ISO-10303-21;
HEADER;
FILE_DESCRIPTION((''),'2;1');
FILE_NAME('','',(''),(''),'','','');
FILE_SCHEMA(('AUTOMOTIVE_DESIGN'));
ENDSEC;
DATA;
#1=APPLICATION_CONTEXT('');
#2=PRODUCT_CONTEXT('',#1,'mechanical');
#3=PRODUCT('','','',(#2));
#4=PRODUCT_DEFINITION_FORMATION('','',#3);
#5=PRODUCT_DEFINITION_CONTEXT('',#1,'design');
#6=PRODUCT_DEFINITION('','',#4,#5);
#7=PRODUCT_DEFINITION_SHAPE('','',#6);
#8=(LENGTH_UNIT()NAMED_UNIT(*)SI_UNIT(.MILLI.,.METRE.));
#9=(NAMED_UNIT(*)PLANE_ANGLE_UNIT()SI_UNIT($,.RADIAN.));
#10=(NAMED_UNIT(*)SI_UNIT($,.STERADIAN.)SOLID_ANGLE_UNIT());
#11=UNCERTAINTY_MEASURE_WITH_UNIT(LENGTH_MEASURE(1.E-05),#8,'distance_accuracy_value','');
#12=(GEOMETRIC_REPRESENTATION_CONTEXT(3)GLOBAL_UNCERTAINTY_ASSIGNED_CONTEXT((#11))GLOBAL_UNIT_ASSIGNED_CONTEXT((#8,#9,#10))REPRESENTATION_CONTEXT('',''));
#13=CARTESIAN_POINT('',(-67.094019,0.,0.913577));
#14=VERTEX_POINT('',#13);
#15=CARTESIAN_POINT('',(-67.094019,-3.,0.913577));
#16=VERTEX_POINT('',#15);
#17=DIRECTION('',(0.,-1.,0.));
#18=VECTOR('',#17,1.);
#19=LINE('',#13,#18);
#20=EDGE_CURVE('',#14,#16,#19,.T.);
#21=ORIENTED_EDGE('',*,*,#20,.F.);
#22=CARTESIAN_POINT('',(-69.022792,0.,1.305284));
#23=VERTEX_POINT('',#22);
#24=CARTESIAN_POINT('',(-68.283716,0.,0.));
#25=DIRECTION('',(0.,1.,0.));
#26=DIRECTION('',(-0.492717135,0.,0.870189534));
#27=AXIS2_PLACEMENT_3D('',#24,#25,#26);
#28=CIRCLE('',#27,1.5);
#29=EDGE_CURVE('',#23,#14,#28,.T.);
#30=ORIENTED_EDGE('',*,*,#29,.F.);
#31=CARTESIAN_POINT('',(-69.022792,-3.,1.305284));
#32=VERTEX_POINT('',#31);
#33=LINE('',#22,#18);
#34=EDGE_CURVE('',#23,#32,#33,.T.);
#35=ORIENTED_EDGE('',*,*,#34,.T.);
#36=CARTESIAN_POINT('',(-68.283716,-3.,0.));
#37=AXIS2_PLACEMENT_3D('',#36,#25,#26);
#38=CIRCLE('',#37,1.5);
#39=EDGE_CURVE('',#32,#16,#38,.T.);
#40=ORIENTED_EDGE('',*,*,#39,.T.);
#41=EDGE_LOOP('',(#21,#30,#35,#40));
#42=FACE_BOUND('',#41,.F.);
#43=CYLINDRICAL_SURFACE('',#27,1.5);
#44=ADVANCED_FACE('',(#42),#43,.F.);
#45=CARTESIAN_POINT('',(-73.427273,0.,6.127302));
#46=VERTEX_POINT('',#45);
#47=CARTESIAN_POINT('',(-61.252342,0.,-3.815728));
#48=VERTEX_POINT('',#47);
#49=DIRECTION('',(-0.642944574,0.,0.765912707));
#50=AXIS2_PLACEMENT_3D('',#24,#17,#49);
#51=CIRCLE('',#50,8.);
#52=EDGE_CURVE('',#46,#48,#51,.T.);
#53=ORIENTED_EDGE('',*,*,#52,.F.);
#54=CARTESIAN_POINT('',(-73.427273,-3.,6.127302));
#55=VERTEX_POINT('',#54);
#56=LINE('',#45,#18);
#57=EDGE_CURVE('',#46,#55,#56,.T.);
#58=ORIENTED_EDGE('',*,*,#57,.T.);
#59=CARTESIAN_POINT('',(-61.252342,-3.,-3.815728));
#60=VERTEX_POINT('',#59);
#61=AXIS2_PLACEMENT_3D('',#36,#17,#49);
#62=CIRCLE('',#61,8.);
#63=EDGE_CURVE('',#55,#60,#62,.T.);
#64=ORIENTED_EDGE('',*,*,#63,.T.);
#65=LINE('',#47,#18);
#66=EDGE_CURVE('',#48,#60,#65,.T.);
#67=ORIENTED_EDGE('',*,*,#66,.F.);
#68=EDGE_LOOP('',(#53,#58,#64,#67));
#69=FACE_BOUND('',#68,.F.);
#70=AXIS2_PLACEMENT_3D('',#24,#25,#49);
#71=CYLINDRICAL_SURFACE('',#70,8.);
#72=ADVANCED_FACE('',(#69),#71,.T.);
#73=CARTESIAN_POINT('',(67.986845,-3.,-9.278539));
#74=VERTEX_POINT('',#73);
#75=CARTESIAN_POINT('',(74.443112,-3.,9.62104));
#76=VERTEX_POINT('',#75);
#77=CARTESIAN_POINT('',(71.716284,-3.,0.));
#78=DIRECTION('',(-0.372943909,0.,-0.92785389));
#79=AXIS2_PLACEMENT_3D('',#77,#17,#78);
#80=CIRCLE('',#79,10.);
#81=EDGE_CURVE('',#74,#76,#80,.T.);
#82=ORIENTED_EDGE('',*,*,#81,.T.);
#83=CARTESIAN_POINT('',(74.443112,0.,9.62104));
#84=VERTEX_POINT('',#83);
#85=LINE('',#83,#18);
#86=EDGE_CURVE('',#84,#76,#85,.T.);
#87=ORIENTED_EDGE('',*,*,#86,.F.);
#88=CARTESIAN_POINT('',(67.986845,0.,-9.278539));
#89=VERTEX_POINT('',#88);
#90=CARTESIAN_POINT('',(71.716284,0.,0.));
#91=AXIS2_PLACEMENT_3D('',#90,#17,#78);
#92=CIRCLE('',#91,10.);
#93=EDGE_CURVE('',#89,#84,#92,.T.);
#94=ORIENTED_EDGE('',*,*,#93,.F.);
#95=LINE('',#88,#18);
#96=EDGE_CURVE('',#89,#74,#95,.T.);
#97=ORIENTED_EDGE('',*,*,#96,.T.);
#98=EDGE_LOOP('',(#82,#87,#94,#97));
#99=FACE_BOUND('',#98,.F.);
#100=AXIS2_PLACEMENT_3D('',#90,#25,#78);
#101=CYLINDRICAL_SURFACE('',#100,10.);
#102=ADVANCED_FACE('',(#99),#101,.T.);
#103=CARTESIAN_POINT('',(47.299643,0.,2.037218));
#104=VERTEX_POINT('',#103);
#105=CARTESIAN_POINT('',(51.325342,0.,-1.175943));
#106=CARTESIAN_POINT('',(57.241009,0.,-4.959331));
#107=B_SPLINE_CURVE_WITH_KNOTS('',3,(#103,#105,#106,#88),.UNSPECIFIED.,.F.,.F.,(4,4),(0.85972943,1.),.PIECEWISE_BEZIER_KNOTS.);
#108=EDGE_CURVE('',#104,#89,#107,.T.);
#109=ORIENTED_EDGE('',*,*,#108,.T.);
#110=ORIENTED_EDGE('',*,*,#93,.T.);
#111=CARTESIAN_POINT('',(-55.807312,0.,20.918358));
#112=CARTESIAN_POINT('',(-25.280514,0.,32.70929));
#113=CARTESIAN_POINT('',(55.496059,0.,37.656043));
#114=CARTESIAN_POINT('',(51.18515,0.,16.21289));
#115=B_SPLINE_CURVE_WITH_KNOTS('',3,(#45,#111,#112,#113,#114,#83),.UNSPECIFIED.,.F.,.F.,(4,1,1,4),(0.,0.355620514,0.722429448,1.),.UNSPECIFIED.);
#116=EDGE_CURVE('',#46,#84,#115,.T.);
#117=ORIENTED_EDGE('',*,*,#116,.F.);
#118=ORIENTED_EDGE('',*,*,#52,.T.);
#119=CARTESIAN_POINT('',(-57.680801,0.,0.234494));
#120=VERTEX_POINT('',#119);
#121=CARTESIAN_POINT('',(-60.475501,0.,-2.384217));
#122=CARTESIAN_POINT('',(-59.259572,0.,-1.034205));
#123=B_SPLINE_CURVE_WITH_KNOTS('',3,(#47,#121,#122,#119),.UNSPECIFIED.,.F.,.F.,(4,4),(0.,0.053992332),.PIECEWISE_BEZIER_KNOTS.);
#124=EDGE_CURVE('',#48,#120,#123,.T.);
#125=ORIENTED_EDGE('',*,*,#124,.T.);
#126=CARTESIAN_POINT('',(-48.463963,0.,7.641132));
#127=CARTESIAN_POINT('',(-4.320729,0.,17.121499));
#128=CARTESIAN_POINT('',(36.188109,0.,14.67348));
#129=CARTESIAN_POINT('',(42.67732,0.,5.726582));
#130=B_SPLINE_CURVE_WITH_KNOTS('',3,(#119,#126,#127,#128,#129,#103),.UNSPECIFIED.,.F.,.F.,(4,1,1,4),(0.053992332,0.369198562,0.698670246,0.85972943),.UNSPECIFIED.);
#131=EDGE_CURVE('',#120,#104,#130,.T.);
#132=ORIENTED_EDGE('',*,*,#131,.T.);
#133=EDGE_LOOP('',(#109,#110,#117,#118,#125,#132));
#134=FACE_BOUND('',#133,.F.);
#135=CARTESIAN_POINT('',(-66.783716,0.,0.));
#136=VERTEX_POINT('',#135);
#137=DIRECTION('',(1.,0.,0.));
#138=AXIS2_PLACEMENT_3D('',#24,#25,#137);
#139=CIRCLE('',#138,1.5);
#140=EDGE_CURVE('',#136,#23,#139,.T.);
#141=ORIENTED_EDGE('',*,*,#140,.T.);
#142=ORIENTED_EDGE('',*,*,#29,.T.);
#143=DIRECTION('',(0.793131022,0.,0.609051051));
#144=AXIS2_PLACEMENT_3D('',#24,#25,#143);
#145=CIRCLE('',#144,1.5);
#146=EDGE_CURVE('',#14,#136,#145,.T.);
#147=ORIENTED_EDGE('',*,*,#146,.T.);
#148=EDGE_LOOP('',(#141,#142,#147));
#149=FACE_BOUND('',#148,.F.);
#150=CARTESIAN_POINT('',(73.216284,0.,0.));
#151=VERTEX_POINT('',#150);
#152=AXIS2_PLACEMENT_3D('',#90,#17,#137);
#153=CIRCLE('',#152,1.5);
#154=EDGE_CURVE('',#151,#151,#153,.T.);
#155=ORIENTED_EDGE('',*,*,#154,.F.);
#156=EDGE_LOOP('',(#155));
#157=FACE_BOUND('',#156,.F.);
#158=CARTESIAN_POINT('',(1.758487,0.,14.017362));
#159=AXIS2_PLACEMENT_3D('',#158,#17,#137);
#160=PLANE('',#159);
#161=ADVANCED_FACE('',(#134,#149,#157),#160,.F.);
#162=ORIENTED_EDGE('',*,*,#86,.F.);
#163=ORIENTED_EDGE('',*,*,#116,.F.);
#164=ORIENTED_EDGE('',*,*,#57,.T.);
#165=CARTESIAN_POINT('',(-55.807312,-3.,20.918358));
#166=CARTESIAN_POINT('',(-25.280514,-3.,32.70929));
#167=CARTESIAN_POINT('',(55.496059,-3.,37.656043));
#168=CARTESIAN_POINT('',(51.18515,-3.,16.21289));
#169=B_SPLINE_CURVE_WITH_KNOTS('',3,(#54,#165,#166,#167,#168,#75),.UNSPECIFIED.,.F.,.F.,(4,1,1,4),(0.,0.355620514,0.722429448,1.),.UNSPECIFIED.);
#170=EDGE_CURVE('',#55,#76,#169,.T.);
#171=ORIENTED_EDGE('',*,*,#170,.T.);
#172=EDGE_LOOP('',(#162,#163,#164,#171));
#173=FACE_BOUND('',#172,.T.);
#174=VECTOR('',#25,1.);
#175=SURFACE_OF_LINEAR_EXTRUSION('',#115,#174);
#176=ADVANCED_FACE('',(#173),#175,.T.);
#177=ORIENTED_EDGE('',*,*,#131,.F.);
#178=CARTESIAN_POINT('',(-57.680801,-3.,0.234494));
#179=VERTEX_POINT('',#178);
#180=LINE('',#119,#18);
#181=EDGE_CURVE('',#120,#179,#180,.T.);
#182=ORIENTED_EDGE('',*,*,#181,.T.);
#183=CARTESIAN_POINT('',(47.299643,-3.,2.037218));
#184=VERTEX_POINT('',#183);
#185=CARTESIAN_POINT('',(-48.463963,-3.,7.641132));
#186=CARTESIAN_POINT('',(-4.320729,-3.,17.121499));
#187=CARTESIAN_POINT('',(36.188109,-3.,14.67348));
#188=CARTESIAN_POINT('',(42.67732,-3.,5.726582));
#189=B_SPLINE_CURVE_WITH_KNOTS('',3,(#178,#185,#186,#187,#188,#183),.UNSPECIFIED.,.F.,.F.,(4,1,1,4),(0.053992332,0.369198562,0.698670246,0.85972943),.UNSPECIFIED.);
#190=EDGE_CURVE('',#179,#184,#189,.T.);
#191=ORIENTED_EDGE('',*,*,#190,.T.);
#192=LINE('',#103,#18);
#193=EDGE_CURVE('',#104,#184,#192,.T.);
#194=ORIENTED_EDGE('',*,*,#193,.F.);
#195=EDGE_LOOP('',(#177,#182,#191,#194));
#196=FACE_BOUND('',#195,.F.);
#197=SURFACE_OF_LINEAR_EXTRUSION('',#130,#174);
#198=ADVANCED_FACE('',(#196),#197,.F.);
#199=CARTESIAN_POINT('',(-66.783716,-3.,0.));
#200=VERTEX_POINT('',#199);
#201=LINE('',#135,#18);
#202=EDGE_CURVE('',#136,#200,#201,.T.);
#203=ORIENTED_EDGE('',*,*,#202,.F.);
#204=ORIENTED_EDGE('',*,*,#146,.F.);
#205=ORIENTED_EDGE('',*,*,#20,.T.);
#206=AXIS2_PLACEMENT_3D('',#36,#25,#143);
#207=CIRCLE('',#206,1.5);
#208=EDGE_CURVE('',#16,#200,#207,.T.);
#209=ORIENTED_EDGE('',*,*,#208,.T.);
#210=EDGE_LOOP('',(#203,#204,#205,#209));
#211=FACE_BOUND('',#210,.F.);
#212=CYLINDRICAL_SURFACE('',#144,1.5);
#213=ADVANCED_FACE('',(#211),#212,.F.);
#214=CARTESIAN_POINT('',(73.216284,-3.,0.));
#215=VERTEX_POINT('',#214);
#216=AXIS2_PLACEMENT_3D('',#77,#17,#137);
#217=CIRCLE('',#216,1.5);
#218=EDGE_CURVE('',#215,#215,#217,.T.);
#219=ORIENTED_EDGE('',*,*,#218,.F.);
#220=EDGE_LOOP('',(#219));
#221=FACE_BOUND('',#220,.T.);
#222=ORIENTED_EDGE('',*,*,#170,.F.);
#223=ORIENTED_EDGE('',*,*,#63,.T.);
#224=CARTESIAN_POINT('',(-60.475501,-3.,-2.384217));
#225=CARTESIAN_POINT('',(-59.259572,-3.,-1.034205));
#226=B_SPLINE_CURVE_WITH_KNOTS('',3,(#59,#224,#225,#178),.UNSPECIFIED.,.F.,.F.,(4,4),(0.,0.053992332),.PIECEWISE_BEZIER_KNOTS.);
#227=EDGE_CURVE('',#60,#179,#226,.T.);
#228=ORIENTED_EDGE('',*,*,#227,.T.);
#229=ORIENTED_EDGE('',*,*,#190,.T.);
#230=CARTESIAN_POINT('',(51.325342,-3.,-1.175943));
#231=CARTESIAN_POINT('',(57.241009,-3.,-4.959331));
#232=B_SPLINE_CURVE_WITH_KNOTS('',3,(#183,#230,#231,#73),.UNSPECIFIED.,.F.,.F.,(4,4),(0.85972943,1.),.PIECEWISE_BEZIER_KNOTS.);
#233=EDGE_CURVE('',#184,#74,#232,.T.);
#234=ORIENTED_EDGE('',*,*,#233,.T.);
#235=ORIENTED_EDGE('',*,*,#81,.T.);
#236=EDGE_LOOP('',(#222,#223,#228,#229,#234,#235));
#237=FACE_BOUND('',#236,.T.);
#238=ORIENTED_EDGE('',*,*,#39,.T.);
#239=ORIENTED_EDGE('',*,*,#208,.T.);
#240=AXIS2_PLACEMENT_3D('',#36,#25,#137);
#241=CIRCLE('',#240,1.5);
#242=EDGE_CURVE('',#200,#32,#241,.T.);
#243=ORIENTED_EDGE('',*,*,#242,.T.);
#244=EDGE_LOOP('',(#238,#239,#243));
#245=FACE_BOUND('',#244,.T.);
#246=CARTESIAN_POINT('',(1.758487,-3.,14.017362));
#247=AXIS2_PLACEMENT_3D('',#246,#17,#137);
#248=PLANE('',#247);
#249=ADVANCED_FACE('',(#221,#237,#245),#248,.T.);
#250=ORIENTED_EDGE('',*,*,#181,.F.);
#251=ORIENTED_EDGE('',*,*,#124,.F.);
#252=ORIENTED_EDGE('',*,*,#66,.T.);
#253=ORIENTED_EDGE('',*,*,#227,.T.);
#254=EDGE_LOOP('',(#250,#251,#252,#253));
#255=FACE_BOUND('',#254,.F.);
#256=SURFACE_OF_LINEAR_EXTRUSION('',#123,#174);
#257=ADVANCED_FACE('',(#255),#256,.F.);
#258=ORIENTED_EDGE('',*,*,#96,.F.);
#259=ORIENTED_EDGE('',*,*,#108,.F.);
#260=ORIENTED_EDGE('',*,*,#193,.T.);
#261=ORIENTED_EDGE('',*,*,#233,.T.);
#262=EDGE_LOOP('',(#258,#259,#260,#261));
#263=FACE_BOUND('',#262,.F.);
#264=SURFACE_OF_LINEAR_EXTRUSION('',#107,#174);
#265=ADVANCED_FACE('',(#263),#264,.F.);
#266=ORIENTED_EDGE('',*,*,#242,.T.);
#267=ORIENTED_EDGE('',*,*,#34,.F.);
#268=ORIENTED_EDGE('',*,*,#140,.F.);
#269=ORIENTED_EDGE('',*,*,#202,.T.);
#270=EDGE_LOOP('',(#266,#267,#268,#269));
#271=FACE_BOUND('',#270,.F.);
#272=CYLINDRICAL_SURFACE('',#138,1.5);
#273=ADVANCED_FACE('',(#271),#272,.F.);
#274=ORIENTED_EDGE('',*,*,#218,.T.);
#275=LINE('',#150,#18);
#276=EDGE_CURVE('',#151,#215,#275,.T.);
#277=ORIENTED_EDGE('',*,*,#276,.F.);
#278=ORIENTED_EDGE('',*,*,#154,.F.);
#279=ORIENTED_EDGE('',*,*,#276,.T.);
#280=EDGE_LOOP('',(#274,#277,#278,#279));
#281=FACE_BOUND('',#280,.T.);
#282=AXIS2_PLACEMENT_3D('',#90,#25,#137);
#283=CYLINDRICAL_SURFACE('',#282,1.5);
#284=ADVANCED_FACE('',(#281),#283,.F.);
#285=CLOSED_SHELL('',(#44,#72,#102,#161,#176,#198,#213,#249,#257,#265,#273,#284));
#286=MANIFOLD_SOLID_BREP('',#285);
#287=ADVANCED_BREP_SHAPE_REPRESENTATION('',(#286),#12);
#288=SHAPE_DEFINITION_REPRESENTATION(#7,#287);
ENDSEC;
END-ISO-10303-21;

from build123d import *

# Parameters (mm, degrees)
F0_R     = 1.5
F1_DEPTH = 3


with BuildPart() as f1:
    # F0 (on Front) → F1 (new body)
    with BuildSketch(Plane.XZ):
        with BuildLine():
            ThreePointArc((-69.0227917267, 1.3052843005), (-67.9851804003, 1.4699920005), (-67.0940194909, 0.9135765759))
            add(Edge.make_bspline(
                [(-57.680800559, 0.2344938671), (-61.7730566669, 0.3896469336), (-64.9985292025, 0.6122544559), (-67.0940194909, 0.9135765759)],
                knots=[0.9774114552, 0.9774114552, 0.9774114552, 0.9774114552, 0.9916151373, 0.9916151373, 0.9916151373, 0.9916151373], degree=3))
            add(Edge.make_bspline(
                [(-57.6808005589, 0.2344938667), (-48.4639632681, 7.6411319447), (-4.3207292174, 17.1214993066), (36.1881090642, 14.6734800331), (42.6773196978, 5.7265815892), (47.2996428194, 2.0372180888)],
                knots=[0.0539923322, 0.0539923322, 0.0539923322, 0.0539923322, 0.3691985618, 0.6986702464, 0.8597294298, 0.8597294298, 0.8597294298, 0.8597294298], degree=3))
            add(Edge.make_bspline(
                [(-69.5696051707, 1.5318254148), (-70.6585048459, 2.1793041954), (-65.192412384, 4.2456895044), (-61.2609986491, 8.6657456762), (-52.5212731421, 13.7784006094), (-45.7528015897, 17.0008602129), (-39.7642885535, 19.2458094433), (-35.2060434897, 20.7385552366), (-30.4273649772, 22.0635358619), (-25.4733734107, 23.2237547066), (-21.0576484523, 24.0911254875), (-17.3048678994, 24.7530157104), (-13.4411068657, 25.4009356766), (-8.5182194028, 26.136622871), (-2.5020890071, 26.8770264065), (3.5650913958, 27.4729966605), (9.6379515111, 27.9076922213), (15.5466616461, 28.153751476), (21.2200165051, 28.1928288286), (26.481342041, 28.0118364201), (31.2977310181, 27.5964383722), (34.7947380957, 27.0305208303), (37.2740610588, 26.4486207284), (38.8887625391, 25.9879106608), (40.2725305064, 25.4930535343), (41.2062716434, 25.0577941891), (41.8168639936, 24.7189771932), (42.3811998453, 24.3781879844), (43.0038503997, 23.9303411697), (43.7053697407, 23.3113521469), (44.431387318, 22.5618040844), (45.2145568618, 21.6535801381), (46.3911574807, 20.2202777052), (48.0531239275, 18.0466102383), (50.7413704897, 15.0304771702), (54.3913259902, 11.9213858167), (58.96891371, 8.9406430897), (65.210164178, 6.2380913317), (68.9491854078, 4.6285897051), (77.0215150686, 3.7128180423), (61.5511500593, 2.6814207439), (47.2996428191, 2.0372180877)],
                knots=[0, 0, 0, 0, 0.0230964663, 0.0546573021, 0.0913655563, 0.1240051066, 0.1532797179, 0.1788742308, 0.2048782719, 0.2314379146, 0.2562971621, 0.2790161143, 0.3020345806, 0.3281627282, 0.3571170815, 0.3861656918, 0.4150751374, 0.4436074328, 0.4715127873, 0.4985191054, 0.524315631, 0.5464167628, 0.5649114417, 0.5800708632, 0.5942227073, 0.6060609757, 0.6157411984, 0.6251547152, 0.6353858801, 0.6467256007, 0.6586365574, 0.6713707945, 0.6871299445, 0.7065029547, 0.7300498346, 0.7556551251, 0.7833192044, 0.813355606, 0.8402018115, 0.8601481847, 0.8970932187, 0.8970932187, 0.8970932187, 0.8970932187], degree=3))
            add(Edge.make_bspline(
                [(-69.0227917267, 1.3052843005), (-69.2540801474, 1.3775105474), (-69.4370320631, 1.4529951276), (-69.5696051707, 1.5318254148)],
                knots=[0.9971880143, 0.9971880143, 0.9971880143, 0.9971880143, 1, 1, 1, 1], degree=3))
        make_face()
        with BuildLine():
            ThreePointArc((-67.0940194909, 0.9135765759), (-66.8634088739, 0.482418491), (-66.7837160236, 0))
            ThreePointArc((-66.7837160236, 0), (-69.0391584255, -1.2958806956), (-69.0227917267, 1.3052843005))
            add(Edge.make_bspline(
                [(-69.0227917267, 1.3052843005), (-69.2540801474, 1.3775105474), (-69.4370320631, 1.4529951276), (-69.5696051707, 1.5318254148)],
                knots=[0.9971880143, 0.9971880143, 0.9971880143, 0.9971880143, 1, 1, 1, 1], degree=3))
            add(Edge.make_bspline(
                [(-69.5696051707, 1.5318254148), (-70.6585048459, 2.1793041954), (-65.192412384, 4.2456895044), (-61.2609986491, 8.6657456762), (-52.5212731421, 13.7784006094), (-45.7528015897, 17.0008602129), (-39.7642885535, 19.2458094433), (-35.2060434897, 20.7385552366), (-30.4273649772, 22.0635358619), (-25.4733734107, 23.2237547066), (-21.0576484523, 24.0911254875), (-17.3048678994, 24.7530157104), (-13.4411068657, 25.4009356766), (-8.5182194028, 26.136622871), (-2.5020890071, 26.8770264065), (3.5650913958, 27.4729966605), (9.6379515111, 27.9076922213), (15.5466616461, 28.153751476), (21.2200165051, 28.1928288286), (26.481342041, 28.0118364201), (31.2977310181, 27.5964383722), (34.7947380957, 27.0305208303), (37.2740610588, 26.4486207284), (38.8887625391, 25.9879106608), (40.2725305064, 25.4930535343), (41.2062716434, 25.0577941891), (41.8168639936, 24.7189771932), (42.3811998453, 24.3781879844), (43.0038503997, 23.9303411697), (43.7053697407, 23.3113521469), (44.431387318, 22.5618040844), (45.2145568618, 21.6535801381), (46.3911574807, 20.2202777052), (48.0531239275, 18.0466102383), (50.7413704897, 15.0304771702), (54.3913259902, 11.9213858167), (58.96891371, 8.9406430897), (65.210164178, 6.2380913317), (68.9491854078, 4.6285897051), (77.0215150686, 3.7128180423), (61.5511500593, 2.6814207439), (47.2996428191, 2.0372180877)],
                knots=[0, 0, 0, 0, 0.0230964663, 0.0546573021, 0.0913655563, 0.1240051066, 0.1532797179, 0.1788742308, 0.2048782719, 0.2314379146, 0.2562971621, 0.2790161143, 0.3020345806, 0.3281627282, 0.3571170815, 0.3861656918, 0.4150751374, 0.4436074328, 0.4715127873, 0.4985191054, 0.524315631, 0.5464167628, 0.5649114417, 0.5800708632, 0.5942227073, 0.6060609757, 0.6157411984, 0.6251547152, 0.6353858801, 0.6467256007, 0.6586365574, 0.6713707945, 0.6871299445, 0.7065029547, 0.7300498346, 0.7556551251, 0.7833192044, 0.813355606, 0.8402018115, 0.8601481847, 0.8970932187, 0.8970932187, 0.8970932187, 0.8970932187], degree=3))
            add(Edge.make_bspline(
                [(47.2996428194, 2.0372180888), (51.3253424787, -1.1759431283), (57.2410087859, -4.9593307), (67.9868448816, -9.2785388956)],
                knots=[0.8597294298, 0.8597294298, 0.8597294298, 0.8597294298, 1, 1, 1, 1], degree=3))
            ThreePointArc((67.9868448816, -9.2785388956), (81.1793610879, -3.2326725139), (74.4431115504, 9.6210400364))
            add(Edge.make_bspline(
                [(-73.4272726121, 6.127301659), (-55.8073116374, 20.918358376), (-25.2805144898, 32.7092904185), (55.4960592195, 37.6560426278), (51.1851496994, 16.2128899246), (74.4431115504, 9.6210400364)],
                knots=[0, 0, 0, 0, 0.3556205136, 0.7224294481, 1, 1, 1, 1], degree=3))
            ThreePointArc((-73.4272726121, 6.127301659), (-73.3440444858, -6.1962146391), (-61.2523421605, -3.8157281871))
            add(Edge.make_bspline(
                [(-61.2523421605, -3.8157281871), (-60.4755014716, -2.384217071), (-59.259571833, -1.0342046104), (-57.6808005589, 0.2344938667)],
                knots=[0, 0, 0, 0, 0.0539923322, 0.0539923322, 0.0539923322, 0.0539923322], degree=3))
            add(Edge.make_bspline(
                [(-57.680800559, 0.2344938671), (-61.7730566669, 0.3896469336), (-64.9985292025, 0.6122544559), (-67.0940194909, 0.9135765759)],
                knots=[0.9774114552, 0.9774114552, 0.9774114552, 0.9774114552, 0.9916151373, 0.9916151373, 0.9916151373, 0.9916151373], degree=3))
        make_face()
        with Locations((71.7162839764, 0)):
            Circle(F0_R, mode=Mode.SUBTRACT)
    extrude(amount=F1_DEPTH)


solid = f1.part
